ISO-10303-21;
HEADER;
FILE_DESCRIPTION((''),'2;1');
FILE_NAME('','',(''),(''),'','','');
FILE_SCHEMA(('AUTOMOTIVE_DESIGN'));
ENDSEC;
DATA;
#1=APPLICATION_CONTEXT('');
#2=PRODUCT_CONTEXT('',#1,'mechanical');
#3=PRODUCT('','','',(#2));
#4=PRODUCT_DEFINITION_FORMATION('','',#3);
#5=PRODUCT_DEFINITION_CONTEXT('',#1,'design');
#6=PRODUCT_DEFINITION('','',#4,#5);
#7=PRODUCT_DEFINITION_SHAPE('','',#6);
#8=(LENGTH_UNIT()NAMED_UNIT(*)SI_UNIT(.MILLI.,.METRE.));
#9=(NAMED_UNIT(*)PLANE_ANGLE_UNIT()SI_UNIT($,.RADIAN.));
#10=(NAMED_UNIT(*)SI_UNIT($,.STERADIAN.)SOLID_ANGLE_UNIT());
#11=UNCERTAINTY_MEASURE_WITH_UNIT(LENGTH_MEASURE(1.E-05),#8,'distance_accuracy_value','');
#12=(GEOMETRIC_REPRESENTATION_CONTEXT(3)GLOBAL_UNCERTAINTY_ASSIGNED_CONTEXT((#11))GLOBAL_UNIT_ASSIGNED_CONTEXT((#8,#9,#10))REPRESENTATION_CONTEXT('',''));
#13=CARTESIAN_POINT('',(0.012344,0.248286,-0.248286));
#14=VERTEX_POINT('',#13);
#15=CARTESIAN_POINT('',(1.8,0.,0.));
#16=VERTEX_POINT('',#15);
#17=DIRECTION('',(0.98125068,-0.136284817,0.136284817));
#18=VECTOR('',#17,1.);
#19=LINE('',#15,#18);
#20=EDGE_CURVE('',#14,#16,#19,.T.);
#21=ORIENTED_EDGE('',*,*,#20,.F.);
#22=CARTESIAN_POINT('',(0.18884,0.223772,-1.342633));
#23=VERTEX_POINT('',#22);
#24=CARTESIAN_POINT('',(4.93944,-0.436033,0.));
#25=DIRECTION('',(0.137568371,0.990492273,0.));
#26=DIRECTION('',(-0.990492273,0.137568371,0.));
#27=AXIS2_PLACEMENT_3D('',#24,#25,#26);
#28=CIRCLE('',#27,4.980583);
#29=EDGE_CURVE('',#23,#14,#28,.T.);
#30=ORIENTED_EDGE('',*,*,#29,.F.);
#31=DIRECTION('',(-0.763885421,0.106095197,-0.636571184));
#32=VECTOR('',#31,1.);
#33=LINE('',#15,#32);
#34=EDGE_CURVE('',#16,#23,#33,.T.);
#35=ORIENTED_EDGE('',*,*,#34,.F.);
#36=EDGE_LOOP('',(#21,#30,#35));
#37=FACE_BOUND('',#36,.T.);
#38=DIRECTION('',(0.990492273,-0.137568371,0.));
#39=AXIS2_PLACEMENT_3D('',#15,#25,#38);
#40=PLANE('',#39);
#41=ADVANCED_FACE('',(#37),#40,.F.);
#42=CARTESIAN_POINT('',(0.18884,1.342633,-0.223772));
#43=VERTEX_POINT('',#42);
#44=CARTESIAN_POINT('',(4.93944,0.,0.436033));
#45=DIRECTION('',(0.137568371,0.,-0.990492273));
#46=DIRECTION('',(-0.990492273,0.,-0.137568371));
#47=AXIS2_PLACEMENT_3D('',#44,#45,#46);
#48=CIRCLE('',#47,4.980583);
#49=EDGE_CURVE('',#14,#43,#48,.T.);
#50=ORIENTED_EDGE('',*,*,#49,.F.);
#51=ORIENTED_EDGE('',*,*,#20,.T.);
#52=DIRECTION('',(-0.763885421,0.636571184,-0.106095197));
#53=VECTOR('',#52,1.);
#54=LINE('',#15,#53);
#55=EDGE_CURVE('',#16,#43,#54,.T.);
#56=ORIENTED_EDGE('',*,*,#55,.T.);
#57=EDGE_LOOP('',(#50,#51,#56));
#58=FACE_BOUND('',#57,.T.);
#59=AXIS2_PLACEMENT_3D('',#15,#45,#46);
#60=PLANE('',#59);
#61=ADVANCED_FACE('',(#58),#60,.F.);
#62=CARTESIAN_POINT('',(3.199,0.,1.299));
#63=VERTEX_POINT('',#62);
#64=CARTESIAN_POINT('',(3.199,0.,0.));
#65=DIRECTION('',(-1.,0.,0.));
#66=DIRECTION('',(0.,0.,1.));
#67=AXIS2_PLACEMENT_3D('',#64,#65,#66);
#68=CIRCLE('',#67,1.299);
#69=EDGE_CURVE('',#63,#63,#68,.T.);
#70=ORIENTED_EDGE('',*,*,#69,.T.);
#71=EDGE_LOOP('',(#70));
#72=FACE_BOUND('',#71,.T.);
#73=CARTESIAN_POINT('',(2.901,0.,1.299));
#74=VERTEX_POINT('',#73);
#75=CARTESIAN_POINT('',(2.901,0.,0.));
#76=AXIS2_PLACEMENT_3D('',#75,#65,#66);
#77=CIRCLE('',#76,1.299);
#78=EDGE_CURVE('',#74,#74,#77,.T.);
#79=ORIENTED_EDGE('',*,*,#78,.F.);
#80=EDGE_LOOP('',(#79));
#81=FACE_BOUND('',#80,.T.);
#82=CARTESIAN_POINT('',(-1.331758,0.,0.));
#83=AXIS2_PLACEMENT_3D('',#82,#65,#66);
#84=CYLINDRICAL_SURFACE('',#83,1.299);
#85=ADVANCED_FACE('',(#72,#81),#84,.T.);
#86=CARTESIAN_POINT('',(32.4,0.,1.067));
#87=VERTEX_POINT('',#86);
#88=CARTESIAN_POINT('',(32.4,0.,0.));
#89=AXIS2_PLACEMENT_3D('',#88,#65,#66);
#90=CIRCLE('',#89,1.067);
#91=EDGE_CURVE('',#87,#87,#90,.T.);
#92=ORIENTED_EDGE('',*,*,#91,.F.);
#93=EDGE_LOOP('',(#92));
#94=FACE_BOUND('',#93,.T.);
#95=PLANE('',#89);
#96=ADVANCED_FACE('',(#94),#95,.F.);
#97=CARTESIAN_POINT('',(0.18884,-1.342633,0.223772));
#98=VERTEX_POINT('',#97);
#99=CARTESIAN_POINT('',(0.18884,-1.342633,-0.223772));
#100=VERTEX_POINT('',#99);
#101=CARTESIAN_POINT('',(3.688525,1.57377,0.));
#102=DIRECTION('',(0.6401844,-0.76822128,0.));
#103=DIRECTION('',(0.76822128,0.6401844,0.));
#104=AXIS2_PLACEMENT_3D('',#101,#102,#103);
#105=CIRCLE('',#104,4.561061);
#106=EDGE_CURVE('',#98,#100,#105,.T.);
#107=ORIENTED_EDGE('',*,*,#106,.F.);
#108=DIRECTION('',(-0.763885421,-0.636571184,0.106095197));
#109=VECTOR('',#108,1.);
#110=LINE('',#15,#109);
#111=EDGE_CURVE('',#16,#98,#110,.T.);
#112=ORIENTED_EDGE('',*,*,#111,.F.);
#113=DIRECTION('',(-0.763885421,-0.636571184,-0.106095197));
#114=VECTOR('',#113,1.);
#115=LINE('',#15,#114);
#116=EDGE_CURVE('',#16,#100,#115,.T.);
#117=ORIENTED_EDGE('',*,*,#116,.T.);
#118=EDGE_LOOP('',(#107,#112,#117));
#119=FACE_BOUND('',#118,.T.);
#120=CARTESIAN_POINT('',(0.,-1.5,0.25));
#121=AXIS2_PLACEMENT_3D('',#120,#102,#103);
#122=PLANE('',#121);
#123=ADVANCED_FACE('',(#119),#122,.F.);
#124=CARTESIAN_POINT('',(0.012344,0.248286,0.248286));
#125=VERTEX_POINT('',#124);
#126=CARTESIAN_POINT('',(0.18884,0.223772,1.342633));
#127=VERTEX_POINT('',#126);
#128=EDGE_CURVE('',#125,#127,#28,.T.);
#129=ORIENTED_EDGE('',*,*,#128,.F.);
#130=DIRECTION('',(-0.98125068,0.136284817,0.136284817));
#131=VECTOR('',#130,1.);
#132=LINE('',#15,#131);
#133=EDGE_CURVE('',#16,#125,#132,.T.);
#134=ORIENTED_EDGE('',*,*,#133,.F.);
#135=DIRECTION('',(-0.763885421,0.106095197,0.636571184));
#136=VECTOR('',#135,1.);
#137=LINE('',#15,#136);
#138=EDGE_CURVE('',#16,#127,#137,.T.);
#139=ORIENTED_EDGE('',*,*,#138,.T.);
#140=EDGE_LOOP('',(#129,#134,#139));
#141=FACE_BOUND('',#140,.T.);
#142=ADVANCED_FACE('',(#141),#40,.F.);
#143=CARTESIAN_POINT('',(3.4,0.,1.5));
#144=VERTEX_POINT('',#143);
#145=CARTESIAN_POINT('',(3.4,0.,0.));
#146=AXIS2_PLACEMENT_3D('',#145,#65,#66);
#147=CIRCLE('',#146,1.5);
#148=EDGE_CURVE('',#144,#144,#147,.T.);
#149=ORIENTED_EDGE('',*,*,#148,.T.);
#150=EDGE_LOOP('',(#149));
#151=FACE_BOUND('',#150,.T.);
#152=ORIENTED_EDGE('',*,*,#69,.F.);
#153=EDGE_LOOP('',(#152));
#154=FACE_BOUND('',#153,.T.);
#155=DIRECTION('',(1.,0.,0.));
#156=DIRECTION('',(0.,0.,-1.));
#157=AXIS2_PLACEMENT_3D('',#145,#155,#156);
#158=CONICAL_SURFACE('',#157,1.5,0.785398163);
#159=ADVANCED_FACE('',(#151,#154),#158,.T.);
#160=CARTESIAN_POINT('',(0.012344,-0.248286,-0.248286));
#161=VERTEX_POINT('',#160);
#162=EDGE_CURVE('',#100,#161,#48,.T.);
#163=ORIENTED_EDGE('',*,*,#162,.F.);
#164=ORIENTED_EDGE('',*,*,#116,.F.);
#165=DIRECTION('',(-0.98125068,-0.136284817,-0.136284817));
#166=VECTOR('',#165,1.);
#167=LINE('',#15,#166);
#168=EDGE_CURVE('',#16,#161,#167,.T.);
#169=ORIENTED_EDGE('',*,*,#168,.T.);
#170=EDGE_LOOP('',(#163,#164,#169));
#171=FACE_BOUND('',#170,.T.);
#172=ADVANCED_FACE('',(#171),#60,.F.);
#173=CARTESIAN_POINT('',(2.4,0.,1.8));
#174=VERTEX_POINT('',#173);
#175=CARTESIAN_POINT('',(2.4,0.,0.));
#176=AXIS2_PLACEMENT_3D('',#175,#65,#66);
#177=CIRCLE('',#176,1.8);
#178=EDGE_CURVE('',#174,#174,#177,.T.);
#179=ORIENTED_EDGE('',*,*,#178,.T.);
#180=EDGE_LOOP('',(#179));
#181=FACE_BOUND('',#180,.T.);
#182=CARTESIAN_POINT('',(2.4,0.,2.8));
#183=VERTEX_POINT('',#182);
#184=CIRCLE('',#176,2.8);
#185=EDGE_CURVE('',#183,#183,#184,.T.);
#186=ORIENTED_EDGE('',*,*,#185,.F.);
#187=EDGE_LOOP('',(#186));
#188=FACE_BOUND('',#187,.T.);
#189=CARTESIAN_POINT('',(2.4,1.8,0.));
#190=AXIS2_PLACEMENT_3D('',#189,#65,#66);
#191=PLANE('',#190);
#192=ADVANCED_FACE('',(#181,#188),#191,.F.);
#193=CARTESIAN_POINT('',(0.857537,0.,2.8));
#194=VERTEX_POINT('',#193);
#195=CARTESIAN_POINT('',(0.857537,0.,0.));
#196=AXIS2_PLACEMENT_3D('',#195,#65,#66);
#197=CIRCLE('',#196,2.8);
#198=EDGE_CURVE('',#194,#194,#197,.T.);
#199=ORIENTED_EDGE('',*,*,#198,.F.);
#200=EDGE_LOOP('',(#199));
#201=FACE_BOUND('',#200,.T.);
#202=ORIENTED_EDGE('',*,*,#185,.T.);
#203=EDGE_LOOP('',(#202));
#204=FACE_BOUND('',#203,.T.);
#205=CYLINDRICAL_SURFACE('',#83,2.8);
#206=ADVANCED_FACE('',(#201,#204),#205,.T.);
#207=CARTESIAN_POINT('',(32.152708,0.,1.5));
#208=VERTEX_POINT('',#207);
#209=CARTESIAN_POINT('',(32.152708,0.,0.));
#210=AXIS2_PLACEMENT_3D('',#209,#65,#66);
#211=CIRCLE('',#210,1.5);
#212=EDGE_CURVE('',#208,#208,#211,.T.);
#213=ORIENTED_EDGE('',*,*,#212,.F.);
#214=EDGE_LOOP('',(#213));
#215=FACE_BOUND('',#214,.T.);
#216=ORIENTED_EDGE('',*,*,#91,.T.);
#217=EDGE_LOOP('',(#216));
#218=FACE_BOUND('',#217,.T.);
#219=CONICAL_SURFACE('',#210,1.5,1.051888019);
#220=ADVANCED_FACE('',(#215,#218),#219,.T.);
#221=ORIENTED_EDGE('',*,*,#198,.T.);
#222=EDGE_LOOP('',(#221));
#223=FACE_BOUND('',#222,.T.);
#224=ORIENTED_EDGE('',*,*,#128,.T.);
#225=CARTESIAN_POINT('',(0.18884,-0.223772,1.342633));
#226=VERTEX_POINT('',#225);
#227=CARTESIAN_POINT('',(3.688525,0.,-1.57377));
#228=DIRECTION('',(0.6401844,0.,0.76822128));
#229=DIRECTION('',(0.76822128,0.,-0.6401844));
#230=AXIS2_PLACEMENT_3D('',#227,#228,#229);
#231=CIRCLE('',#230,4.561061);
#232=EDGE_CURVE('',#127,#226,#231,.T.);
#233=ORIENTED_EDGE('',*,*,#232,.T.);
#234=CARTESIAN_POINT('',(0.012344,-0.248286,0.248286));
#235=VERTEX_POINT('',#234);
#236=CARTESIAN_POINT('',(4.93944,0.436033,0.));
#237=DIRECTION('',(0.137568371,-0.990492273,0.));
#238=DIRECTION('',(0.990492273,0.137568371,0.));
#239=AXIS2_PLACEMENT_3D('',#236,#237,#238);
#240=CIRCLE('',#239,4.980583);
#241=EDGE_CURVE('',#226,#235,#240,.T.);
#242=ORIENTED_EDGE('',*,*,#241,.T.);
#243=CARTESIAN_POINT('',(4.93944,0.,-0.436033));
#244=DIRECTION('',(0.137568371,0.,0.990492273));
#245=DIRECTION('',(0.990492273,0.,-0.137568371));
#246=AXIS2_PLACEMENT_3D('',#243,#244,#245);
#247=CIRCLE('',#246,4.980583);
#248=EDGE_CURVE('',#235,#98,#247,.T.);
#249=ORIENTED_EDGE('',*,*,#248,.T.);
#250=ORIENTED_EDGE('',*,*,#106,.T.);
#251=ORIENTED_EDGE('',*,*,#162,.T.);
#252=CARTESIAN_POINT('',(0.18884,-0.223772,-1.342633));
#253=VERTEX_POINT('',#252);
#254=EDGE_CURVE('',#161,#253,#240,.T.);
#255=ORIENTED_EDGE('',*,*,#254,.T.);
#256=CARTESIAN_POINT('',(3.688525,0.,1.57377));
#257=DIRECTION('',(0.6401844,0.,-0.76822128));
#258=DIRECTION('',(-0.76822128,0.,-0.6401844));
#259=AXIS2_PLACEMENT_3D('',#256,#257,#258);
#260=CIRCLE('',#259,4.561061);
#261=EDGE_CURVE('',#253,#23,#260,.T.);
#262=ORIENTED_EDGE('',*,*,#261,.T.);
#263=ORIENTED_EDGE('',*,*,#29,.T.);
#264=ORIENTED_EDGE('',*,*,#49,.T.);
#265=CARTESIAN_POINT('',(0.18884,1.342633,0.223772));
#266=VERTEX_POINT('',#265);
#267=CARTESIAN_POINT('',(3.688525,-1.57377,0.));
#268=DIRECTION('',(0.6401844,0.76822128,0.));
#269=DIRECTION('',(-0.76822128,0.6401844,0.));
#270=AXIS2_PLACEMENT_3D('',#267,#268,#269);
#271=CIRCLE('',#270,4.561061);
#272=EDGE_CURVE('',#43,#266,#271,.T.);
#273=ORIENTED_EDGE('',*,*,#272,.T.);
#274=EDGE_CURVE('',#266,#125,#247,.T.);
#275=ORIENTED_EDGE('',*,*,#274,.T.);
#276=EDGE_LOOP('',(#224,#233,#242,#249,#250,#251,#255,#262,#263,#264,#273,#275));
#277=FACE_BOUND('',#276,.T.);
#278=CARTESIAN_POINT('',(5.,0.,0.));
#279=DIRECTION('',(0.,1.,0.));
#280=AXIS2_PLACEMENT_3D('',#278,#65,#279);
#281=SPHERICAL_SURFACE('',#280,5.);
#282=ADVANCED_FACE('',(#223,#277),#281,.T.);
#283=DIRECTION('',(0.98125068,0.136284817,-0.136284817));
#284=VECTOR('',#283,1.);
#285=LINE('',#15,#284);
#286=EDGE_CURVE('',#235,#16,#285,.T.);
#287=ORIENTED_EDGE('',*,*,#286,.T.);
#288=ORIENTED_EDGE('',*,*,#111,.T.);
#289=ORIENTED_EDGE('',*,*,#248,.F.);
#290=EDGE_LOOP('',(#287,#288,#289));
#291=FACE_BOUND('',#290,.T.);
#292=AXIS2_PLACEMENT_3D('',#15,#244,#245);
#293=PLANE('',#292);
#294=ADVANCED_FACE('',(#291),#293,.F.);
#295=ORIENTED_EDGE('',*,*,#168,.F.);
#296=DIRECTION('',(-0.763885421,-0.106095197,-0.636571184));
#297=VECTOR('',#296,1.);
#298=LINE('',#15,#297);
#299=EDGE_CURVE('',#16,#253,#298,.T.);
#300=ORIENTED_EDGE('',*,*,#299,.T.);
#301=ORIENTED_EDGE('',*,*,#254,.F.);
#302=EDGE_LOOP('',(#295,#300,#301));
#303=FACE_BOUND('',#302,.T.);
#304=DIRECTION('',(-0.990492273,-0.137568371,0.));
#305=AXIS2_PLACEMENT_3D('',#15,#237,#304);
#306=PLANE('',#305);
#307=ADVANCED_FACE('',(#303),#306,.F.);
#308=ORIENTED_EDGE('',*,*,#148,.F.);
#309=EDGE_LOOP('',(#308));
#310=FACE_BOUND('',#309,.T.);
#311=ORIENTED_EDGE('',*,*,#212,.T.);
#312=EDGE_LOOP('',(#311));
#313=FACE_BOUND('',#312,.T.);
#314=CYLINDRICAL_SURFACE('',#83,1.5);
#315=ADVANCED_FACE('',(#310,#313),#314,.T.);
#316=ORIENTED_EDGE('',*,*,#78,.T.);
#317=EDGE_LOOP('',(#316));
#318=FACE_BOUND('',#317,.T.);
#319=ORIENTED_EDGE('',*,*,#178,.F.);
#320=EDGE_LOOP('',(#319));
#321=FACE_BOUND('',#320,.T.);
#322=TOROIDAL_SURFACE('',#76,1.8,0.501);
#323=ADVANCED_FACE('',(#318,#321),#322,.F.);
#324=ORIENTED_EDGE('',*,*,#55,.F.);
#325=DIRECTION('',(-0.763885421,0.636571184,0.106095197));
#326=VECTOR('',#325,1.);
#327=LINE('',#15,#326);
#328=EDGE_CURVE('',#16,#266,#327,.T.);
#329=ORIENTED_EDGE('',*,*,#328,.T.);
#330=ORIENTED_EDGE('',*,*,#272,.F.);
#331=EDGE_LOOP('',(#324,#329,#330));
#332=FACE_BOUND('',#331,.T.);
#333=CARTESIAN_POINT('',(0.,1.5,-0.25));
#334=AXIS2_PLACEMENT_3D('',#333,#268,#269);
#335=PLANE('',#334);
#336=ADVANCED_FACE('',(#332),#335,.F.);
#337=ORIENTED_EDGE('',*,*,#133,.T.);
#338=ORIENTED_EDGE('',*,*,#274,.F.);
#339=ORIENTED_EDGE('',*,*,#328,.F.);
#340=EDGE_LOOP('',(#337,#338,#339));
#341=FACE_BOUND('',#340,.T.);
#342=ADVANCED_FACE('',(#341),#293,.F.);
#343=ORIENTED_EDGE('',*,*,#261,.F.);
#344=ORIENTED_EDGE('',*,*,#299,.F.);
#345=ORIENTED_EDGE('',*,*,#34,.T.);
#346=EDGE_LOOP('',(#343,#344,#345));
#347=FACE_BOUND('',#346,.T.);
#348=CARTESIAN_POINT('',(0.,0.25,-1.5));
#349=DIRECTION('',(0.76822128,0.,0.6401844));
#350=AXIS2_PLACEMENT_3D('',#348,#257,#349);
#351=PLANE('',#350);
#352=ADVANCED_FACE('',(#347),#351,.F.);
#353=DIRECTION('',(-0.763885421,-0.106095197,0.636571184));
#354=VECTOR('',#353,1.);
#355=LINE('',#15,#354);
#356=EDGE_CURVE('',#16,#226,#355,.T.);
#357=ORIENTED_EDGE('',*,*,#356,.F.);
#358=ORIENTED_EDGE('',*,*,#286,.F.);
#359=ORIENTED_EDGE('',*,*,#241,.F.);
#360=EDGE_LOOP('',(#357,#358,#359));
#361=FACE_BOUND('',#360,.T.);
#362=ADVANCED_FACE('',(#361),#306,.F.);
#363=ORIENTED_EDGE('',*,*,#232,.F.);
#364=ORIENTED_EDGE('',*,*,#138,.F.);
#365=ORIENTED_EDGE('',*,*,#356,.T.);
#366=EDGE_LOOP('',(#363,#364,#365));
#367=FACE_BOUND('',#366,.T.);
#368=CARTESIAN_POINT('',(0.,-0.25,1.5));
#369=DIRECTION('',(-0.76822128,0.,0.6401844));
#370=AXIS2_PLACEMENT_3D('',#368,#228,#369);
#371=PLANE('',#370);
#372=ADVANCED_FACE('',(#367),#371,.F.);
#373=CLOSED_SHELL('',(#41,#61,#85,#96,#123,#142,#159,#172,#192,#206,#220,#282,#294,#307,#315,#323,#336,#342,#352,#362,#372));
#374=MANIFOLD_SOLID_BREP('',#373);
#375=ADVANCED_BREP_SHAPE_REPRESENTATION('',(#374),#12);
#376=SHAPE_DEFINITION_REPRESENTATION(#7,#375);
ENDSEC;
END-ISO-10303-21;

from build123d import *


with BuildPart() as part:
    # 草图2 → Revolve 815 (revolve)
    with BuildSketch(Plane.XY, mode=Mode.PRIVATE) as revolve_815_sk:
        with BuildLine():
            Line((0, 0), (32.4, 0))
            Line((32.4, 0), (32.4, 1.5))
            Line((32.4, 1.5), (3.4, 1.5))
            Line((3.4, 1.5), (3.199, 1.299))
            Line((3.199, 1.299), (2.901, 1.299))
            ThreePointArc((2.901, 1.299), (2.546739503, 1.445739503), (2.4, 1.8))
            Line((2.4, 1.8), (2.4, 2.8))
            Line((2.4, 2.8), (0.857536965, 2.8))
            ThreePointArc((0.857536965, 2.8), (0.219188606, 1.464186604), (0, 0))
        make_face()
    revolve(revolve_815_sk.sketch.rotate(Axis((-1.331757704, 0, 0), (1, 0, 0)), 90), axis=Axis((-1.331757704, 0, 0), (1, 0, 0)))

    # 草图3 → 切除-旋转1 (revolve, cut)
    with BuildSketch(Plane.XY, mode=Mode.PRIVATE) as cut_revolve_1_sk:
        Polygon((32.152708003, 1.5), (32.652708003, 1.5), (32.4, 1.067), align=None)
    revolve(cut_revolve_1_sk.sketch.rotate(Axis((-0.242766179, 0, 0), (1, 0, 0)), 90), axis=Axis((-0.242766179, 0, 0), (1, 0, 0)), mode=Mode.SUBTRACT)

    # 草图5 → 切除-放样1 section 0
    with BuildSketch(Plane(origin=(0, 0, 0), x_dir=(0, 0, -1), z_dir=(1, 0, 0)), mode=Mode.PRIVATE) as loft_1_s0:
        with BuildLine():
            Line((0.25, 1.5), (-0.25, 1.5))
            Line((-0.25, 1.5), (-0.25, -1.5))
            Line((-0.25, -1.5), (0.25, -1.5))
            Line((0.25, -1.5), (0.25, 1.5))
        make_face()
    loft_1 = loft([Vertex(1.8, 0, 0), loft_1_s0.sketch], mode=Mode.SUBTRACT)

    # 镜向1: 切除-放样1 across plane
    add(loft_1.mirror(Plane(origin=(0, 0, 0), x_dir=(0, 0.7071067811865462, 0.7071067811865488), z_dir=(0, -0.7071067811865488, 0.7071067811865462))), mode=Mode.SUBTRACT)


solid = part.part
